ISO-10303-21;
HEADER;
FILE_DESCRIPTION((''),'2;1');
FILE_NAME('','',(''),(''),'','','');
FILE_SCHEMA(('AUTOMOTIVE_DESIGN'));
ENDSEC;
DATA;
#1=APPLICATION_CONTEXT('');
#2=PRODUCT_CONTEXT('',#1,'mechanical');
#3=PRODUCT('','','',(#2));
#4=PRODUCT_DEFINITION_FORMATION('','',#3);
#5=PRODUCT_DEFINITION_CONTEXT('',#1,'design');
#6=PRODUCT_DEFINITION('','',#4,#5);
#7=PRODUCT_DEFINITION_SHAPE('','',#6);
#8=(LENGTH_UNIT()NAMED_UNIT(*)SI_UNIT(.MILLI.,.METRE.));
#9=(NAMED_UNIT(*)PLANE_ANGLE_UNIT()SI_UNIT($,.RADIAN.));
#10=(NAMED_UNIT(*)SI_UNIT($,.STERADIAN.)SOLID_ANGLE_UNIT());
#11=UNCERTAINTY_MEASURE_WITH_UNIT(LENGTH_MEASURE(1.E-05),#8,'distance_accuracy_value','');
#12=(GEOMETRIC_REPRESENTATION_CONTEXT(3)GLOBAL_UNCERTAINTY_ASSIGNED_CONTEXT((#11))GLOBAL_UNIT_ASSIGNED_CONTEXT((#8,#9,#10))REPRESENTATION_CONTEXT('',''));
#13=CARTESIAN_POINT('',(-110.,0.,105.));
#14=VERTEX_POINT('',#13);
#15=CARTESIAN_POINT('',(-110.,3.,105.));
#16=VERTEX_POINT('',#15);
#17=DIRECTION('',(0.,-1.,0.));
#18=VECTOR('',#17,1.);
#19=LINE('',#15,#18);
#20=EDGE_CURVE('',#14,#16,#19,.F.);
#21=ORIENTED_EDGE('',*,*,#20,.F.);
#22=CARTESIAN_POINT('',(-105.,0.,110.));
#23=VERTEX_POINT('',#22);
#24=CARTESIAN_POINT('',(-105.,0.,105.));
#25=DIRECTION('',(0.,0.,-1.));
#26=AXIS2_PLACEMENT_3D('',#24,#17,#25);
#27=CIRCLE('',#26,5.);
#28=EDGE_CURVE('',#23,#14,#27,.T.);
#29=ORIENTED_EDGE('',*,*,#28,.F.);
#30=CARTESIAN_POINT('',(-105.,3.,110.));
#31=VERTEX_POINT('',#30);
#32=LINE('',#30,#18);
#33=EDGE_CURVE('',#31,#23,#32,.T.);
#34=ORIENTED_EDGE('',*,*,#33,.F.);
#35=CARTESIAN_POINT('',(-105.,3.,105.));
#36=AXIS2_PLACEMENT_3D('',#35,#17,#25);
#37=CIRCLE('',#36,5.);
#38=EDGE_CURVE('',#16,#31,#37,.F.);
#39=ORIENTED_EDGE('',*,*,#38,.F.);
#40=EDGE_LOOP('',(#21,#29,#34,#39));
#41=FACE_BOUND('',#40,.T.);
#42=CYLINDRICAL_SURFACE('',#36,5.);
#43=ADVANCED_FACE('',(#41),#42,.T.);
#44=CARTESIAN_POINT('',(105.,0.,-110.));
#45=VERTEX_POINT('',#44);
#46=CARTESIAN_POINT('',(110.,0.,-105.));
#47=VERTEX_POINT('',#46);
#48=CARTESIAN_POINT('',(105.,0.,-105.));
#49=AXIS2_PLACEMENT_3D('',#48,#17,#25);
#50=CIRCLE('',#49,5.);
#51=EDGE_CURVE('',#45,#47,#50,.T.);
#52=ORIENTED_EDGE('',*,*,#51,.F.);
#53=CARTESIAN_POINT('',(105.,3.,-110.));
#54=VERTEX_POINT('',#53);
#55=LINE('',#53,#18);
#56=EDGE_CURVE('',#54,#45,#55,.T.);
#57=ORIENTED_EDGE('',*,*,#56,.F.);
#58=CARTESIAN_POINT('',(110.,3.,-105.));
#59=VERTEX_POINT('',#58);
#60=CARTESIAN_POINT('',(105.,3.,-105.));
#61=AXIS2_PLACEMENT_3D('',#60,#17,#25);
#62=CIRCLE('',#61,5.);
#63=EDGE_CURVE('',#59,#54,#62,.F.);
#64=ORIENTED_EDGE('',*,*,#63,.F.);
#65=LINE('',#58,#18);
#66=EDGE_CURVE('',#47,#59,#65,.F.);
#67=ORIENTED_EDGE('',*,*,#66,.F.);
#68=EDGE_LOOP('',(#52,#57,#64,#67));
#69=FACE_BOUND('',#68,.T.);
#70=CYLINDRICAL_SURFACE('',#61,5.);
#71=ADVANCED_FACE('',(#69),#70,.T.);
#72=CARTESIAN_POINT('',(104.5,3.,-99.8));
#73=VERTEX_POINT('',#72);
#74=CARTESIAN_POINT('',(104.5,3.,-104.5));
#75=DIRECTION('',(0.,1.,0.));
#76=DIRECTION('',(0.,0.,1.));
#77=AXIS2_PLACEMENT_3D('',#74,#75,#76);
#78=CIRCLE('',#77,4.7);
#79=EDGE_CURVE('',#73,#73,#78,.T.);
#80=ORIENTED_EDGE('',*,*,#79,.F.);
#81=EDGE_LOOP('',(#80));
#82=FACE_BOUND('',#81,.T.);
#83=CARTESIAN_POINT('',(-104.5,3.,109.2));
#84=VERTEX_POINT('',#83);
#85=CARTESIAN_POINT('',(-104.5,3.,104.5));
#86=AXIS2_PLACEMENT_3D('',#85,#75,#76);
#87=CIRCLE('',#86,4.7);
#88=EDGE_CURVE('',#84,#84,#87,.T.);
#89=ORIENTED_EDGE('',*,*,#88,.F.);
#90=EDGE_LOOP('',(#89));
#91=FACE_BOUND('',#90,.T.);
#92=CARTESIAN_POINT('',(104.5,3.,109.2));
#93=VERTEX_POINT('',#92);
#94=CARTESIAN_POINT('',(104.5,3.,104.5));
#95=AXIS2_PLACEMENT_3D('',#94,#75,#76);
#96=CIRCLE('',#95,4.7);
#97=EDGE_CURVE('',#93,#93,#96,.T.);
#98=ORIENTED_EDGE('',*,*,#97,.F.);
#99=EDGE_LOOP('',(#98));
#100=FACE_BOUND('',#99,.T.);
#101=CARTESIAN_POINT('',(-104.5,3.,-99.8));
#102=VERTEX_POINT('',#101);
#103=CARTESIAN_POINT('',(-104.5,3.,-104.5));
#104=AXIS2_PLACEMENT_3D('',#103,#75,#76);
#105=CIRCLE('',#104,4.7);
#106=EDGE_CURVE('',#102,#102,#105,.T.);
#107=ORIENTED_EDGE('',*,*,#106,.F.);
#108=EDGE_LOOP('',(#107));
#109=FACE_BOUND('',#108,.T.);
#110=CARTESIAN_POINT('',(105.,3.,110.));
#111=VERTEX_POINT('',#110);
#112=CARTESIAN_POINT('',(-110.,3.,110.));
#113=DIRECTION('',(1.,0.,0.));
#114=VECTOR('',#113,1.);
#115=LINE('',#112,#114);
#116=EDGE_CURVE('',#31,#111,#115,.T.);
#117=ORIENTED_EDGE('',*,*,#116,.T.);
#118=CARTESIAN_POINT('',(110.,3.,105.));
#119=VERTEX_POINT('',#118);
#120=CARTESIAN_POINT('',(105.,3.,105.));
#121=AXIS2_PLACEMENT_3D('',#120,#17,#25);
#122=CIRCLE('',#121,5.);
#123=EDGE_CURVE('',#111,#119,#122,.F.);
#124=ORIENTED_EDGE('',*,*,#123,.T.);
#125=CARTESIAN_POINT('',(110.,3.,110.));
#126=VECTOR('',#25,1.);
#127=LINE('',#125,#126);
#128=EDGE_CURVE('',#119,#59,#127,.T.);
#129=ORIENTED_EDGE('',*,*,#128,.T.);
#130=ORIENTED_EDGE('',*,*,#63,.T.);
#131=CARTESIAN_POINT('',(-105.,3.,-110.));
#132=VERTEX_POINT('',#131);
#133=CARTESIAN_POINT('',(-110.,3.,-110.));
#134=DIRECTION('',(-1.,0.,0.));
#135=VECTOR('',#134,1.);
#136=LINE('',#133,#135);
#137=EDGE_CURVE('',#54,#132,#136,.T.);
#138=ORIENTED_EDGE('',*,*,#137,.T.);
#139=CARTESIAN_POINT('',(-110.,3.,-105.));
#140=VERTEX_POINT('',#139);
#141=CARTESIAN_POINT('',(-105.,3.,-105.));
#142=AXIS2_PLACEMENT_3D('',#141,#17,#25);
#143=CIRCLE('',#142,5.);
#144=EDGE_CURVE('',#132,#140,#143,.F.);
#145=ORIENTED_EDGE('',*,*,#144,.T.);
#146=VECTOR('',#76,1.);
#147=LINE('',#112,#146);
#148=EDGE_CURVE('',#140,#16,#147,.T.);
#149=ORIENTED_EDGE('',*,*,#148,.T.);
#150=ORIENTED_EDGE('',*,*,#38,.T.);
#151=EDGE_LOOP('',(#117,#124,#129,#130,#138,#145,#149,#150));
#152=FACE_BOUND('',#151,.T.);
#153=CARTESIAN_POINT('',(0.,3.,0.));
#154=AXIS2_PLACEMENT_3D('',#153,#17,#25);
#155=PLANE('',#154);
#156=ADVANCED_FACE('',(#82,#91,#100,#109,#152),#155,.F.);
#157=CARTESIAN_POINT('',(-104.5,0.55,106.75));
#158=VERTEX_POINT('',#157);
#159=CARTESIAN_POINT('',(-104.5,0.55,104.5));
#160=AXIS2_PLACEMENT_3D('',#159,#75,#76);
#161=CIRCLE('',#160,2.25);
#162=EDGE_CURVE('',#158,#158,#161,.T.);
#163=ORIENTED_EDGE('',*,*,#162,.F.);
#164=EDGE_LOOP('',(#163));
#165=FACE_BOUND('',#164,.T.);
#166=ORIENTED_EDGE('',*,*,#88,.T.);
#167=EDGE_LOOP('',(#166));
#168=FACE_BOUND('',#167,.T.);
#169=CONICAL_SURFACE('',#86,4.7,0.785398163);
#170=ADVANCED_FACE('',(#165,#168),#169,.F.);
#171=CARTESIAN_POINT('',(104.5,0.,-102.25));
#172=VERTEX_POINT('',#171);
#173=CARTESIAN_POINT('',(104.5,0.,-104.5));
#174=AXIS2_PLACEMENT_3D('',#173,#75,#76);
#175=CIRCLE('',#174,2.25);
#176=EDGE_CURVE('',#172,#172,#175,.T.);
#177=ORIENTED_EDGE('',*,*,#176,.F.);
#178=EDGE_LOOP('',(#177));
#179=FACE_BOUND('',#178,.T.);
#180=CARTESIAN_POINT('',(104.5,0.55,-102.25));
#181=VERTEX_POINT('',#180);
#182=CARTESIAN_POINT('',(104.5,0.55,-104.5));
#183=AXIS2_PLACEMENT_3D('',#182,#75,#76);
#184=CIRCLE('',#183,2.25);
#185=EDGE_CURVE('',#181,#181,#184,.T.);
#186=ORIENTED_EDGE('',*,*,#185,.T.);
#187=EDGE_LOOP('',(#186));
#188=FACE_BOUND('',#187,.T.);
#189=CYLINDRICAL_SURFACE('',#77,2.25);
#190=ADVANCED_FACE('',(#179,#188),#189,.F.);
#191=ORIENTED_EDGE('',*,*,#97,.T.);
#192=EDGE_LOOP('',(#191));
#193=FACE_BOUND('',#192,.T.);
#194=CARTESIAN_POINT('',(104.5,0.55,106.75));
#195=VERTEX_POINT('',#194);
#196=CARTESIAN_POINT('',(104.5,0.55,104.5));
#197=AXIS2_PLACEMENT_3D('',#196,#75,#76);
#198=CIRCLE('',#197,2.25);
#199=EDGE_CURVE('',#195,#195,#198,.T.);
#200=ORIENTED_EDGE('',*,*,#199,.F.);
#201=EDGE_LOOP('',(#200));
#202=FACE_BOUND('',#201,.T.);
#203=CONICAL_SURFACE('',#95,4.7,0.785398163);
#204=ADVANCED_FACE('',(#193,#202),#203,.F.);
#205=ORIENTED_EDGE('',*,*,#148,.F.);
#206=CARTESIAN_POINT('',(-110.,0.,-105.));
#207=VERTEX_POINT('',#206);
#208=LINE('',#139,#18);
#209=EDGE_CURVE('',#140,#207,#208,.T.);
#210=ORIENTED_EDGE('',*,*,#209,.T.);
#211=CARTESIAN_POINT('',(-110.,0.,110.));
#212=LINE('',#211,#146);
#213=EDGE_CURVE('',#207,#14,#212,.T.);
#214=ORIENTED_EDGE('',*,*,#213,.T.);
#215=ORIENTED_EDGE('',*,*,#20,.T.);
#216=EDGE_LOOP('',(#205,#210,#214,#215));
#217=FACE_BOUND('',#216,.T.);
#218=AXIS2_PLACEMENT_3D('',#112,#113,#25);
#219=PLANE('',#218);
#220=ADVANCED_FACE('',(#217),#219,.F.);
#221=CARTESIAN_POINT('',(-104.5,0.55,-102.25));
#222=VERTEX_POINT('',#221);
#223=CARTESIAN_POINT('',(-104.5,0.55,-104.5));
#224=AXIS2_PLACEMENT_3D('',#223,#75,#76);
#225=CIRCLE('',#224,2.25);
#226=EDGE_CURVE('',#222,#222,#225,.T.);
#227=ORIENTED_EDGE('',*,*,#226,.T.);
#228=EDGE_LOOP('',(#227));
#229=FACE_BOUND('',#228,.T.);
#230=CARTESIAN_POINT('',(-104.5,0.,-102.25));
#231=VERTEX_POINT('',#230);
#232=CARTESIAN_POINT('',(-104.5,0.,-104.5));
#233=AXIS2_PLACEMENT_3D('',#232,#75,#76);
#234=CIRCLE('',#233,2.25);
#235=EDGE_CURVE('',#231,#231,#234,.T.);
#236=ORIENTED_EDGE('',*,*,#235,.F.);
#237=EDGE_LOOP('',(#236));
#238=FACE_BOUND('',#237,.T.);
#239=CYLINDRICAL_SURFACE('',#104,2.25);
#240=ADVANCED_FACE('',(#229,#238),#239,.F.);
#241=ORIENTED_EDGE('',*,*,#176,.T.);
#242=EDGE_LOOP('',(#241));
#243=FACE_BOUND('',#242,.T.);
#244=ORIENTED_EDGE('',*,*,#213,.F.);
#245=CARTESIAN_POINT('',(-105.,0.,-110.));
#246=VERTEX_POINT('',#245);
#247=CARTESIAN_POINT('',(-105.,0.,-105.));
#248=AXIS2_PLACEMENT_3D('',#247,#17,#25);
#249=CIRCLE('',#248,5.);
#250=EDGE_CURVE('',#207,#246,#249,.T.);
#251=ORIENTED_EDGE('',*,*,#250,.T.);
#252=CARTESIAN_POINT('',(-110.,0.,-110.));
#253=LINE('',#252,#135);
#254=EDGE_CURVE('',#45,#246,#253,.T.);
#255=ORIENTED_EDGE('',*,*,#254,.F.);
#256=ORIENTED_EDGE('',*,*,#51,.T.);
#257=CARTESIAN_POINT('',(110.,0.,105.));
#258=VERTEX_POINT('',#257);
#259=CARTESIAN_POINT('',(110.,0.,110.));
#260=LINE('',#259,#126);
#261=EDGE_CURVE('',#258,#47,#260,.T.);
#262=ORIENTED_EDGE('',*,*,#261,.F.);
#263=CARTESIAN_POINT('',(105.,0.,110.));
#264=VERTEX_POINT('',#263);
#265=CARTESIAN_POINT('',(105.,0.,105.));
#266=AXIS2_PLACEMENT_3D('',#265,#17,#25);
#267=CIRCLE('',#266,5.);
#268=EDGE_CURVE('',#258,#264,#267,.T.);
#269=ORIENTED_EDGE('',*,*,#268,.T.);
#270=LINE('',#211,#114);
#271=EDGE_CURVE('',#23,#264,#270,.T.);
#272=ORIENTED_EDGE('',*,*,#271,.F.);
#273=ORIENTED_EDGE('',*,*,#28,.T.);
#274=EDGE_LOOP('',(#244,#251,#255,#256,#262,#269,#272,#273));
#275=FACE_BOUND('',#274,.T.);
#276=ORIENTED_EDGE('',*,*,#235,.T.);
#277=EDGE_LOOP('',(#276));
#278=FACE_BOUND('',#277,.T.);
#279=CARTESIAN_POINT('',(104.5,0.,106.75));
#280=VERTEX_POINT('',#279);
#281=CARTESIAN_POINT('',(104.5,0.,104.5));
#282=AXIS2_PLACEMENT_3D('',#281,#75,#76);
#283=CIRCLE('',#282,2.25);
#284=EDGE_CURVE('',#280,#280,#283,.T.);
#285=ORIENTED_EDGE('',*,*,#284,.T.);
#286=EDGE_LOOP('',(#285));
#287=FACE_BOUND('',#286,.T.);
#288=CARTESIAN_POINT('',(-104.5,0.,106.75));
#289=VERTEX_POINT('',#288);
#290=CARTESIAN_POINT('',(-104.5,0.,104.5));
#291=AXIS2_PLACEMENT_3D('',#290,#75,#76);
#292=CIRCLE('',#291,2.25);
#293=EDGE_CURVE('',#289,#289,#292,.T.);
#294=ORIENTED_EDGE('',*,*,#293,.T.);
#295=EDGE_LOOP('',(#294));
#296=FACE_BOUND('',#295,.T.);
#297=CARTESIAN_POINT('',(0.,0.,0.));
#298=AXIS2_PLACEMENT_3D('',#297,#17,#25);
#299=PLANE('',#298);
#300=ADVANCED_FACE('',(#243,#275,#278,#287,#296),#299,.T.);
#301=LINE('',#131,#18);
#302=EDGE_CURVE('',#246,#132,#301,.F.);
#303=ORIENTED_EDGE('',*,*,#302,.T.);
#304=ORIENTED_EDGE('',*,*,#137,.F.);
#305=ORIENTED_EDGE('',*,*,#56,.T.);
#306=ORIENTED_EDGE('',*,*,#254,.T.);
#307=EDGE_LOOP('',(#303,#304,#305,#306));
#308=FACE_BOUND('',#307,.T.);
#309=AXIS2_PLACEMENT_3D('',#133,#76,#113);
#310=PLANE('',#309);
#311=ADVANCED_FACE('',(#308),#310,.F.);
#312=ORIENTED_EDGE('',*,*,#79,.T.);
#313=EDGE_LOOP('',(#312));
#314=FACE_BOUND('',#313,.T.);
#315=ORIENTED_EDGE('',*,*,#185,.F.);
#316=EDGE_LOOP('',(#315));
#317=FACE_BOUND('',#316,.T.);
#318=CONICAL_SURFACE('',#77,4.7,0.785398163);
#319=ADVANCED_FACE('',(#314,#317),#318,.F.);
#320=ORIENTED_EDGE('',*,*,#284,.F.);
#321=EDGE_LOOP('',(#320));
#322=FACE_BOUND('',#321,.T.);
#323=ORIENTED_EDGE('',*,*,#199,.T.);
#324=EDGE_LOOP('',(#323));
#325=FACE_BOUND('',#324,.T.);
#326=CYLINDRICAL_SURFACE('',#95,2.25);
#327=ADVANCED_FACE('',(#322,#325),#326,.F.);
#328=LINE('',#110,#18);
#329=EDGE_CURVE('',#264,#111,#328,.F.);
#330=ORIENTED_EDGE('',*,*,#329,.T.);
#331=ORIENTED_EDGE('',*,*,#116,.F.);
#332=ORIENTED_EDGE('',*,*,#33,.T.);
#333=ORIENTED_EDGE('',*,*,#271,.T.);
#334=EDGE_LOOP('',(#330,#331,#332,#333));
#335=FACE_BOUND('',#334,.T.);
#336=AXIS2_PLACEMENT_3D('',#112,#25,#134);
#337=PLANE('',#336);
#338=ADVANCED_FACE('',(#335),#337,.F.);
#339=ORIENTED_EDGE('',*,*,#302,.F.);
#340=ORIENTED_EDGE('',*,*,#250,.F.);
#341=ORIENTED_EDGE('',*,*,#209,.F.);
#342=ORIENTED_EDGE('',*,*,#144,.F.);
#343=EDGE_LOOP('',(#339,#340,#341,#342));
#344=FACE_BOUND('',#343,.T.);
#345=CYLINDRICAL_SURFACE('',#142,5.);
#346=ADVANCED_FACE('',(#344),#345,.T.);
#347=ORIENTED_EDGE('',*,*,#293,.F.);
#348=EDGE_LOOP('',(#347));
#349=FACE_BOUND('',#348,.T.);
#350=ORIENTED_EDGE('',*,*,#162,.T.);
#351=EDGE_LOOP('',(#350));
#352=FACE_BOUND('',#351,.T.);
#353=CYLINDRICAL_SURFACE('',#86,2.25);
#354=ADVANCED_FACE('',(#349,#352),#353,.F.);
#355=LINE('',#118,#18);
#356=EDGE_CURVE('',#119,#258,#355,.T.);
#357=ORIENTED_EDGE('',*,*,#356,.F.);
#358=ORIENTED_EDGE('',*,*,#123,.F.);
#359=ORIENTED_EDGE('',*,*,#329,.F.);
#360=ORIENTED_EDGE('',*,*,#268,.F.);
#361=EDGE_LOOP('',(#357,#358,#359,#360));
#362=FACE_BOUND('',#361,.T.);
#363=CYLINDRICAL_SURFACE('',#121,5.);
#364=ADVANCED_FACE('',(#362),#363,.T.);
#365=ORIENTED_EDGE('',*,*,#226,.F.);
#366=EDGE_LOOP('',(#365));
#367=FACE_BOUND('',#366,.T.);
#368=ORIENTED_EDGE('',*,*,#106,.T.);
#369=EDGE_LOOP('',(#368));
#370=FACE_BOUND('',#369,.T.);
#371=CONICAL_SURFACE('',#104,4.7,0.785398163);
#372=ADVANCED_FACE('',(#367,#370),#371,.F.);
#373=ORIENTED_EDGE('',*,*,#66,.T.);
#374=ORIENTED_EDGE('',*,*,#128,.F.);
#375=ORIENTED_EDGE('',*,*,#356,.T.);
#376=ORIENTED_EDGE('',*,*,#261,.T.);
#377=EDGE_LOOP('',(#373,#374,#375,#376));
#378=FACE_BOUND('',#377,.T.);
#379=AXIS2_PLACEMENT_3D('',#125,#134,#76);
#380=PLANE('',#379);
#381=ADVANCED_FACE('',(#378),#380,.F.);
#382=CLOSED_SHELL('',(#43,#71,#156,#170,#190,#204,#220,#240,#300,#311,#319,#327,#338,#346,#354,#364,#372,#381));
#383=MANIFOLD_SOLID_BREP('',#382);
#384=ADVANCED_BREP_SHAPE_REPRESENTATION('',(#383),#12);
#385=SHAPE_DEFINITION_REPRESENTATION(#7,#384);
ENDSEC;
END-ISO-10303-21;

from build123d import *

# Parameters (mm, degrees)
SKETCH1_W                                    = 220
SKETCH1_H                                    = 220
BOSS_EXTRUDE1_DEPTH                          = 3
FILLET1_R                                    = 5
CSK_FOR_M4_COUNTERSUNK_FLAT_HEAD_SCR_2_COUNT = 2
CSK_FOR_M4_COUNTERSUNK_FLAT_HEAD_SCR_2_PITCH = 209
CSK_FOR_M4_COUNTERSUNK_FLAT_HEAD_SCR_3_COUNT = 2
CSK_FOR_M4_COUNTERSUNK_FLAT_HEAD_SCR_3_PITCH = 209
CSK_FOR_M4_COUNTERSUNK_FLAT_HEAD_SCR_4_COUNT = 2
CSK_FOR_M4_COUNTERSUNK_FLAT_HEAD_SCR_4_PITCH = 295.570634536


with BuildPart() as part:
    # Sketch1 → Boss-Extrude1 (new body)
    with BuildSketch(Plane(origin=(0, 0, 0), x_dir=(1, 0, 0), z_dir=(0, 1, 0))):
        Rectangle(SKETCH1_W, SKETCH1_H)
    extrude(amount=BOSS_EXTRUDE1_DEPTH)

    # Fillet1
    fillet1_edges = [part.edges().sort_by_distance(p)[0] for p in [
        (110, 1.5, 110),
        (-110, 1.5, 110),
        (-110, 1.5, -110),
        (110, 1.5, -110),
    ]]
    fillet(fillet1_edges, radius=FILLET1_R)

    # Sketch4 → CSK for M4 Countersunk Flat Head Screw1 (revolve, cut)
    with BuildSketch(Plane(origin=(-104.5, 3, -104.5), x_dir=(0, 0, 1), z_dir=(1, 0, 0))):
        Polygon((0, 0), (0, 3), (2.25, 3), (2.25, 2.45), (4.7, 0), align=None)
    csk_for_m4_countersunk_flat_head_screw1 = revolve(axis=Axis((-104.5, 9.35, -104.5), (0, -1, 0)), mode=Mode.SUBTRACT)

    # CSK for M4 Countersunk Flat Head Scr 2: CSK for M4 Countersunk Flat Head Screw1 ×2
    with Locations(*[(i * CSK_FOR_M4_COUNTERSUNK_FLAT_HEAD_SCR_2_PITCH, 0, 0) for i in range(1, CSK_FOR_M4_COUNTERSUNK_FLAT_HEAD_SCR_2_COUNT)]):
        add(csk_for_m4_countersunk_flat_head_screw1, mode=Mode.SUBTRACT)

    # CSK for M4 Countersunk Flat Head Scr 3: CSK for M4 Countersunk Flat Head Screw1 ×2
    with Locations(*[(0, 0, i * CSK_FOR_M4_COUNTERSUNK_FLAT_HEAD_SCR_3_PITCH) for i in range(1, CSK_FOR_M4_COUNTERSUNK_FLAT_HEAD_SCR_3_COUNT)]):
        add(csk_for_m4_countersunk_flat_head_screw1, mode=Mode.SUBTRACT)

    # CSK for M4 Countersunk Flat Head Scr 4: CSK for M4 Countersunk Flat Head Screw1 ×2
    with Locations(*[Vector(0.707106781, 0, 0.707106781) * (i * CSK_FOR_M4_COUNTERSUNK_FLAT_HEAD_SCR_4_PITCH) for i in range(1, CSK_FOR_M4_COUNTERSUNK_FLAT_HEAD_SCR_4_COUNT)]):
        add(csk_for_m4_countersunk_flat_head_screw1, mode=Mode.SUBTRACT)


solid = part.part
